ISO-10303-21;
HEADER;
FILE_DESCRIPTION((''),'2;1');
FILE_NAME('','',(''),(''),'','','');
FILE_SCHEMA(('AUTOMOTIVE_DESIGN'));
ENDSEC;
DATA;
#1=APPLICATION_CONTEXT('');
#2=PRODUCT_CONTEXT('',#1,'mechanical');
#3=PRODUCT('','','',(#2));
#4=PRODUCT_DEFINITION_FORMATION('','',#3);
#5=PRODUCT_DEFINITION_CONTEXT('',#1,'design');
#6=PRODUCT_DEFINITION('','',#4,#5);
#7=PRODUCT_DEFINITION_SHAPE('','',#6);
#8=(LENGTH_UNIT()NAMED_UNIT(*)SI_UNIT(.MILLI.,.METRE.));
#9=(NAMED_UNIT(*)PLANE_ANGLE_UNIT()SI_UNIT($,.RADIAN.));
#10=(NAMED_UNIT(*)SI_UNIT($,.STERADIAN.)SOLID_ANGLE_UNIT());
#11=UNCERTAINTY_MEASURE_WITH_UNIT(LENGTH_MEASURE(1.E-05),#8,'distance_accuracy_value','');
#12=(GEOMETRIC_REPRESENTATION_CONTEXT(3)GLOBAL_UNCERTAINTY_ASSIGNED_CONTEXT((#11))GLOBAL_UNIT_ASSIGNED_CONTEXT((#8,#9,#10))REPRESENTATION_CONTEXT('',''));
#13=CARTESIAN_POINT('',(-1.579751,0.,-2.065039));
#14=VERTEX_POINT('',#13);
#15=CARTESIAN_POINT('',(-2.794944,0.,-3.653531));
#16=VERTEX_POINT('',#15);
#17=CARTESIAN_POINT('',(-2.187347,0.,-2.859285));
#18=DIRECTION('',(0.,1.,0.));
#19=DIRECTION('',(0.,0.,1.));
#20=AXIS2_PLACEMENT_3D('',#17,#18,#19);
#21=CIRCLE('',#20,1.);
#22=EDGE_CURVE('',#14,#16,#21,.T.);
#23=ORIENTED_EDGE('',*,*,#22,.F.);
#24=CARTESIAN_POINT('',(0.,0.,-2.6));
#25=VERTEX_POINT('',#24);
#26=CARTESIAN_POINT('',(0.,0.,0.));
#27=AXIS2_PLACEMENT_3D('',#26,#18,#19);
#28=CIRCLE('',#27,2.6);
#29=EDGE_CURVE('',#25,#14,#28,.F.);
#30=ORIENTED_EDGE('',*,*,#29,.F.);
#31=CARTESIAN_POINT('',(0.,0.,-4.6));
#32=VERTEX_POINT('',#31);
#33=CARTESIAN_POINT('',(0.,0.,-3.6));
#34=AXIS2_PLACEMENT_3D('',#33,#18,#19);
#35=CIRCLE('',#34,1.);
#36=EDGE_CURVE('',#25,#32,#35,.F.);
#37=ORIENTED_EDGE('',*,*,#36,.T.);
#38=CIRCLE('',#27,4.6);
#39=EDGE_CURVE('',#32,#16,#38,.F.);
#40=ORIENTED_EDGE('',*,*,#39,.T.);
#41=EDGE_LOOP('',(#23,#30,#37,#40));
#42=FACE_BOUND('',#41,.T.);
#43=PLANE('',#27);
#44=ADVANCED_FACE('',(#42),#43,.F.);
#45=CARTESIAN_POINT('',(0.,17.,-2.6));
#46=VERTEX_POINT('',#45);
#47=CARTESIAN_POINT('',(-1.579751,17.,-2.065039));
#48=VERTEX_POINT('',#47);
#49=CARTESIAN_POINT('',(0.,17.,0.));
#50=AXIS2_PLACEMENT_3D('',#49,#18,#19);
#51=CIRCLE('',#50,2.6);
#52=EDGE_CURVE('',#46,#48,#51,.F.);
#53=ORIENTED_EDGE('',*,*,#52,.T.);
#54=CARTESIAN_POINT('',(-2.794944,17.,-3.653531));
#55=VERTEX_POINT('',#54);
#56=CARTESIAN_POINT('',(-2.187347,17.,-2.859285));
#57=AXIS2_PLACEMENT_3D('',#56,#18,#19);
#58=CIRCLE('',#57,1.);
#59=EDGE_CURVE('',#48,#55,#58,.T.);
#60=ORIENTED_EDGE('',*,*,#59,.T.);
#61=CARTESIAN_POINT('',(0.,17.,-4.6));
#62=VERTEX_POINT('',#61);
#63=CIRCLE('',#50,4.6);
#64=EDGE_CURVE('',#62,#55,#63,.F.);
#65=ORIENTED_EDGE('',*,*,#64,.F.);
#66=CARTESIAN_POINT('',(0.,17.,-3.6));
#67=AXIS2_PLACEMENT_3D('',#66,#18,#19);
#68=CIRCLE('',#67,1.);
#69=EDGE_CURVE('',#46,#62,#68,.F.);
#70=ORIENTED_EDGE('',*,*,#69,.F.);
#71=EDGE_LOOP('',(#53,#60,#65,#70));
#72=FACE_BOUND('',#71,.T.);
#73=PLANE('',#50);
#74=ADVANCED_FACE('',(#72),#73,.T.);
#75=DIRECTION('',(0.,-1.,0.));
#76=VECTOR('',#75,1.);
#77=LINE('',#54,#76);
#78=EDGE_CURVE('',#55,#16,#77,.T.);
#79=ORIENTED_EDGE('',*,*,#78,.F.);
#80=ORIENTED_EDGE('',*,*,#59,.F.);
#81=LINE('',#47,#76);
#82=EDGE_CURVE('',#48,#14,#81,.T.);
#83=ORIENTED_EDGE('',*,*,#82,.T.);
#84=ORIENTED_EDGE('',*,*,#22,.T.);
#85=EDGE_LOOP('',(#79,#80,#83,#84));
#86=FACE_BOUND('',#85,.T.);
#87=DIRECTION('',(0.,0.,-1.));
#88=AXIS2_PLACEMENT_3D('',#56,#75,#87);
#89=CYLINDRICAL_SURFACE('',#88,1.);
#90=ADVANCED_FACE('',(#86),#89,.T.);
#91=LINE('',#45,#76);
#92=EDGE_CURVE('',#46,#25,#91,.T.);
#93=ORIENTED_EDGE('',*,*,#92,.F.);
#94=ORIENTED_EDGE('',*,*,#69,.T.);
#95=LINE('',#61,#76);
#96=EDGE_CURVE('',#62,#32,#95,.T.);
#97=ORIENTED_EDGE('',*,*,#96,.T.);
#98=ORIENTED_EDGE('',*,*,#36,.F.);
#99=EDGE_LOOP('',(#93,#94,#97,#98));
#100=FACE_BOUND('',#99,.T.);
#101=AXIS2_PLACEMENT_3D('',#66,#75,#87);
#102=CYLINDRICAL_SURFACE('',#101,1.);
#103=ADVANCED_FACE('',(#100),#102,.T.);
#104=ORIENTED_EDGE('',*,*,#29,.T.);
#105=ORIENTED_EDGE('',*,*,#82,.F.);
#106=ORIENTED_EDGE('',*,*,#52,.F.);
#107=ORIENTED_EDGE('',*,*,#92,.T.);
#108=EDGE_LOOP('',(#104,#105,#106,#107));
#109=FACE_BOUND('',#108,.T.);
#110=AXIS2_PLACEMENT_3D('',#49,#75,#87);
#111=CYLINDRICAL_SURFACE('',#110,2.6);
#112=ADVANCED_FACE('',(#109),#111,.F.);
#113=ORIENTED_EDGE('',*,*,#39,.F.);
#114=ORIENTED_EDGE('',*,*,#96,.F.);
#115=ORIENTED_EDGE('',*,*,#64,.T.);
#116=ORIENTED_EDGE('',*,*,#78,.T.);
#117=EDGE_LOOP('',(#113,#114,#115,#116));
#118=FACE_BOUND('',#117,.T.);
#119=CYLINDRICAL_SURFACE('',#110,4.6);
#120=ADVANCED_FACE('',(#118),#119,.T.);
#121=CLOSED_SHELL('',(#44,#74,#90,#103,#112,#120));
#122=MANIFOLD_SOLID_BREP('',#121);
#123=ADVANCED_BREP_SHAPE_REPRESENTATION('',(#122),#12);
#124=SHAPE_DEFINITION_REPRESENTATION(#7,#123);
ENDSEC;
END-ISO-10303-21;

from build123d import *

# Parameters (mm, degrees)
BOSS_EXTRUDE1_DEPTH = 17


with BuildPart() as part:
    # Sketch1 → Boss-Extrude1 (new body)
    with BuildSketch(Plane(origin=(0, 0, 0), x_dir=(1, 0, 0), z_dir=(0, 1, 0))):
        with BuildLine():
            ThreePointArc((0, 2.6), (0.833935879, -2.4626309), (-1.579750972, 2.065039192))
            ThreePointArc((-1.579750972, 2.065039192), (-1.393101657, 3.466881563), (-2.794944028, 3.653530879))
            ThreePointArc((-2.794944028, 3.653530879), (1.475425016, -4.356962362), (0, 4.6))
            ThreePointArc((0, 4.6), (-1, 3.6), (0, 2.6))
        make_face()
    extrude(amount=BOSS_EXTRUDE1_DEPTH)


solid = part.part
